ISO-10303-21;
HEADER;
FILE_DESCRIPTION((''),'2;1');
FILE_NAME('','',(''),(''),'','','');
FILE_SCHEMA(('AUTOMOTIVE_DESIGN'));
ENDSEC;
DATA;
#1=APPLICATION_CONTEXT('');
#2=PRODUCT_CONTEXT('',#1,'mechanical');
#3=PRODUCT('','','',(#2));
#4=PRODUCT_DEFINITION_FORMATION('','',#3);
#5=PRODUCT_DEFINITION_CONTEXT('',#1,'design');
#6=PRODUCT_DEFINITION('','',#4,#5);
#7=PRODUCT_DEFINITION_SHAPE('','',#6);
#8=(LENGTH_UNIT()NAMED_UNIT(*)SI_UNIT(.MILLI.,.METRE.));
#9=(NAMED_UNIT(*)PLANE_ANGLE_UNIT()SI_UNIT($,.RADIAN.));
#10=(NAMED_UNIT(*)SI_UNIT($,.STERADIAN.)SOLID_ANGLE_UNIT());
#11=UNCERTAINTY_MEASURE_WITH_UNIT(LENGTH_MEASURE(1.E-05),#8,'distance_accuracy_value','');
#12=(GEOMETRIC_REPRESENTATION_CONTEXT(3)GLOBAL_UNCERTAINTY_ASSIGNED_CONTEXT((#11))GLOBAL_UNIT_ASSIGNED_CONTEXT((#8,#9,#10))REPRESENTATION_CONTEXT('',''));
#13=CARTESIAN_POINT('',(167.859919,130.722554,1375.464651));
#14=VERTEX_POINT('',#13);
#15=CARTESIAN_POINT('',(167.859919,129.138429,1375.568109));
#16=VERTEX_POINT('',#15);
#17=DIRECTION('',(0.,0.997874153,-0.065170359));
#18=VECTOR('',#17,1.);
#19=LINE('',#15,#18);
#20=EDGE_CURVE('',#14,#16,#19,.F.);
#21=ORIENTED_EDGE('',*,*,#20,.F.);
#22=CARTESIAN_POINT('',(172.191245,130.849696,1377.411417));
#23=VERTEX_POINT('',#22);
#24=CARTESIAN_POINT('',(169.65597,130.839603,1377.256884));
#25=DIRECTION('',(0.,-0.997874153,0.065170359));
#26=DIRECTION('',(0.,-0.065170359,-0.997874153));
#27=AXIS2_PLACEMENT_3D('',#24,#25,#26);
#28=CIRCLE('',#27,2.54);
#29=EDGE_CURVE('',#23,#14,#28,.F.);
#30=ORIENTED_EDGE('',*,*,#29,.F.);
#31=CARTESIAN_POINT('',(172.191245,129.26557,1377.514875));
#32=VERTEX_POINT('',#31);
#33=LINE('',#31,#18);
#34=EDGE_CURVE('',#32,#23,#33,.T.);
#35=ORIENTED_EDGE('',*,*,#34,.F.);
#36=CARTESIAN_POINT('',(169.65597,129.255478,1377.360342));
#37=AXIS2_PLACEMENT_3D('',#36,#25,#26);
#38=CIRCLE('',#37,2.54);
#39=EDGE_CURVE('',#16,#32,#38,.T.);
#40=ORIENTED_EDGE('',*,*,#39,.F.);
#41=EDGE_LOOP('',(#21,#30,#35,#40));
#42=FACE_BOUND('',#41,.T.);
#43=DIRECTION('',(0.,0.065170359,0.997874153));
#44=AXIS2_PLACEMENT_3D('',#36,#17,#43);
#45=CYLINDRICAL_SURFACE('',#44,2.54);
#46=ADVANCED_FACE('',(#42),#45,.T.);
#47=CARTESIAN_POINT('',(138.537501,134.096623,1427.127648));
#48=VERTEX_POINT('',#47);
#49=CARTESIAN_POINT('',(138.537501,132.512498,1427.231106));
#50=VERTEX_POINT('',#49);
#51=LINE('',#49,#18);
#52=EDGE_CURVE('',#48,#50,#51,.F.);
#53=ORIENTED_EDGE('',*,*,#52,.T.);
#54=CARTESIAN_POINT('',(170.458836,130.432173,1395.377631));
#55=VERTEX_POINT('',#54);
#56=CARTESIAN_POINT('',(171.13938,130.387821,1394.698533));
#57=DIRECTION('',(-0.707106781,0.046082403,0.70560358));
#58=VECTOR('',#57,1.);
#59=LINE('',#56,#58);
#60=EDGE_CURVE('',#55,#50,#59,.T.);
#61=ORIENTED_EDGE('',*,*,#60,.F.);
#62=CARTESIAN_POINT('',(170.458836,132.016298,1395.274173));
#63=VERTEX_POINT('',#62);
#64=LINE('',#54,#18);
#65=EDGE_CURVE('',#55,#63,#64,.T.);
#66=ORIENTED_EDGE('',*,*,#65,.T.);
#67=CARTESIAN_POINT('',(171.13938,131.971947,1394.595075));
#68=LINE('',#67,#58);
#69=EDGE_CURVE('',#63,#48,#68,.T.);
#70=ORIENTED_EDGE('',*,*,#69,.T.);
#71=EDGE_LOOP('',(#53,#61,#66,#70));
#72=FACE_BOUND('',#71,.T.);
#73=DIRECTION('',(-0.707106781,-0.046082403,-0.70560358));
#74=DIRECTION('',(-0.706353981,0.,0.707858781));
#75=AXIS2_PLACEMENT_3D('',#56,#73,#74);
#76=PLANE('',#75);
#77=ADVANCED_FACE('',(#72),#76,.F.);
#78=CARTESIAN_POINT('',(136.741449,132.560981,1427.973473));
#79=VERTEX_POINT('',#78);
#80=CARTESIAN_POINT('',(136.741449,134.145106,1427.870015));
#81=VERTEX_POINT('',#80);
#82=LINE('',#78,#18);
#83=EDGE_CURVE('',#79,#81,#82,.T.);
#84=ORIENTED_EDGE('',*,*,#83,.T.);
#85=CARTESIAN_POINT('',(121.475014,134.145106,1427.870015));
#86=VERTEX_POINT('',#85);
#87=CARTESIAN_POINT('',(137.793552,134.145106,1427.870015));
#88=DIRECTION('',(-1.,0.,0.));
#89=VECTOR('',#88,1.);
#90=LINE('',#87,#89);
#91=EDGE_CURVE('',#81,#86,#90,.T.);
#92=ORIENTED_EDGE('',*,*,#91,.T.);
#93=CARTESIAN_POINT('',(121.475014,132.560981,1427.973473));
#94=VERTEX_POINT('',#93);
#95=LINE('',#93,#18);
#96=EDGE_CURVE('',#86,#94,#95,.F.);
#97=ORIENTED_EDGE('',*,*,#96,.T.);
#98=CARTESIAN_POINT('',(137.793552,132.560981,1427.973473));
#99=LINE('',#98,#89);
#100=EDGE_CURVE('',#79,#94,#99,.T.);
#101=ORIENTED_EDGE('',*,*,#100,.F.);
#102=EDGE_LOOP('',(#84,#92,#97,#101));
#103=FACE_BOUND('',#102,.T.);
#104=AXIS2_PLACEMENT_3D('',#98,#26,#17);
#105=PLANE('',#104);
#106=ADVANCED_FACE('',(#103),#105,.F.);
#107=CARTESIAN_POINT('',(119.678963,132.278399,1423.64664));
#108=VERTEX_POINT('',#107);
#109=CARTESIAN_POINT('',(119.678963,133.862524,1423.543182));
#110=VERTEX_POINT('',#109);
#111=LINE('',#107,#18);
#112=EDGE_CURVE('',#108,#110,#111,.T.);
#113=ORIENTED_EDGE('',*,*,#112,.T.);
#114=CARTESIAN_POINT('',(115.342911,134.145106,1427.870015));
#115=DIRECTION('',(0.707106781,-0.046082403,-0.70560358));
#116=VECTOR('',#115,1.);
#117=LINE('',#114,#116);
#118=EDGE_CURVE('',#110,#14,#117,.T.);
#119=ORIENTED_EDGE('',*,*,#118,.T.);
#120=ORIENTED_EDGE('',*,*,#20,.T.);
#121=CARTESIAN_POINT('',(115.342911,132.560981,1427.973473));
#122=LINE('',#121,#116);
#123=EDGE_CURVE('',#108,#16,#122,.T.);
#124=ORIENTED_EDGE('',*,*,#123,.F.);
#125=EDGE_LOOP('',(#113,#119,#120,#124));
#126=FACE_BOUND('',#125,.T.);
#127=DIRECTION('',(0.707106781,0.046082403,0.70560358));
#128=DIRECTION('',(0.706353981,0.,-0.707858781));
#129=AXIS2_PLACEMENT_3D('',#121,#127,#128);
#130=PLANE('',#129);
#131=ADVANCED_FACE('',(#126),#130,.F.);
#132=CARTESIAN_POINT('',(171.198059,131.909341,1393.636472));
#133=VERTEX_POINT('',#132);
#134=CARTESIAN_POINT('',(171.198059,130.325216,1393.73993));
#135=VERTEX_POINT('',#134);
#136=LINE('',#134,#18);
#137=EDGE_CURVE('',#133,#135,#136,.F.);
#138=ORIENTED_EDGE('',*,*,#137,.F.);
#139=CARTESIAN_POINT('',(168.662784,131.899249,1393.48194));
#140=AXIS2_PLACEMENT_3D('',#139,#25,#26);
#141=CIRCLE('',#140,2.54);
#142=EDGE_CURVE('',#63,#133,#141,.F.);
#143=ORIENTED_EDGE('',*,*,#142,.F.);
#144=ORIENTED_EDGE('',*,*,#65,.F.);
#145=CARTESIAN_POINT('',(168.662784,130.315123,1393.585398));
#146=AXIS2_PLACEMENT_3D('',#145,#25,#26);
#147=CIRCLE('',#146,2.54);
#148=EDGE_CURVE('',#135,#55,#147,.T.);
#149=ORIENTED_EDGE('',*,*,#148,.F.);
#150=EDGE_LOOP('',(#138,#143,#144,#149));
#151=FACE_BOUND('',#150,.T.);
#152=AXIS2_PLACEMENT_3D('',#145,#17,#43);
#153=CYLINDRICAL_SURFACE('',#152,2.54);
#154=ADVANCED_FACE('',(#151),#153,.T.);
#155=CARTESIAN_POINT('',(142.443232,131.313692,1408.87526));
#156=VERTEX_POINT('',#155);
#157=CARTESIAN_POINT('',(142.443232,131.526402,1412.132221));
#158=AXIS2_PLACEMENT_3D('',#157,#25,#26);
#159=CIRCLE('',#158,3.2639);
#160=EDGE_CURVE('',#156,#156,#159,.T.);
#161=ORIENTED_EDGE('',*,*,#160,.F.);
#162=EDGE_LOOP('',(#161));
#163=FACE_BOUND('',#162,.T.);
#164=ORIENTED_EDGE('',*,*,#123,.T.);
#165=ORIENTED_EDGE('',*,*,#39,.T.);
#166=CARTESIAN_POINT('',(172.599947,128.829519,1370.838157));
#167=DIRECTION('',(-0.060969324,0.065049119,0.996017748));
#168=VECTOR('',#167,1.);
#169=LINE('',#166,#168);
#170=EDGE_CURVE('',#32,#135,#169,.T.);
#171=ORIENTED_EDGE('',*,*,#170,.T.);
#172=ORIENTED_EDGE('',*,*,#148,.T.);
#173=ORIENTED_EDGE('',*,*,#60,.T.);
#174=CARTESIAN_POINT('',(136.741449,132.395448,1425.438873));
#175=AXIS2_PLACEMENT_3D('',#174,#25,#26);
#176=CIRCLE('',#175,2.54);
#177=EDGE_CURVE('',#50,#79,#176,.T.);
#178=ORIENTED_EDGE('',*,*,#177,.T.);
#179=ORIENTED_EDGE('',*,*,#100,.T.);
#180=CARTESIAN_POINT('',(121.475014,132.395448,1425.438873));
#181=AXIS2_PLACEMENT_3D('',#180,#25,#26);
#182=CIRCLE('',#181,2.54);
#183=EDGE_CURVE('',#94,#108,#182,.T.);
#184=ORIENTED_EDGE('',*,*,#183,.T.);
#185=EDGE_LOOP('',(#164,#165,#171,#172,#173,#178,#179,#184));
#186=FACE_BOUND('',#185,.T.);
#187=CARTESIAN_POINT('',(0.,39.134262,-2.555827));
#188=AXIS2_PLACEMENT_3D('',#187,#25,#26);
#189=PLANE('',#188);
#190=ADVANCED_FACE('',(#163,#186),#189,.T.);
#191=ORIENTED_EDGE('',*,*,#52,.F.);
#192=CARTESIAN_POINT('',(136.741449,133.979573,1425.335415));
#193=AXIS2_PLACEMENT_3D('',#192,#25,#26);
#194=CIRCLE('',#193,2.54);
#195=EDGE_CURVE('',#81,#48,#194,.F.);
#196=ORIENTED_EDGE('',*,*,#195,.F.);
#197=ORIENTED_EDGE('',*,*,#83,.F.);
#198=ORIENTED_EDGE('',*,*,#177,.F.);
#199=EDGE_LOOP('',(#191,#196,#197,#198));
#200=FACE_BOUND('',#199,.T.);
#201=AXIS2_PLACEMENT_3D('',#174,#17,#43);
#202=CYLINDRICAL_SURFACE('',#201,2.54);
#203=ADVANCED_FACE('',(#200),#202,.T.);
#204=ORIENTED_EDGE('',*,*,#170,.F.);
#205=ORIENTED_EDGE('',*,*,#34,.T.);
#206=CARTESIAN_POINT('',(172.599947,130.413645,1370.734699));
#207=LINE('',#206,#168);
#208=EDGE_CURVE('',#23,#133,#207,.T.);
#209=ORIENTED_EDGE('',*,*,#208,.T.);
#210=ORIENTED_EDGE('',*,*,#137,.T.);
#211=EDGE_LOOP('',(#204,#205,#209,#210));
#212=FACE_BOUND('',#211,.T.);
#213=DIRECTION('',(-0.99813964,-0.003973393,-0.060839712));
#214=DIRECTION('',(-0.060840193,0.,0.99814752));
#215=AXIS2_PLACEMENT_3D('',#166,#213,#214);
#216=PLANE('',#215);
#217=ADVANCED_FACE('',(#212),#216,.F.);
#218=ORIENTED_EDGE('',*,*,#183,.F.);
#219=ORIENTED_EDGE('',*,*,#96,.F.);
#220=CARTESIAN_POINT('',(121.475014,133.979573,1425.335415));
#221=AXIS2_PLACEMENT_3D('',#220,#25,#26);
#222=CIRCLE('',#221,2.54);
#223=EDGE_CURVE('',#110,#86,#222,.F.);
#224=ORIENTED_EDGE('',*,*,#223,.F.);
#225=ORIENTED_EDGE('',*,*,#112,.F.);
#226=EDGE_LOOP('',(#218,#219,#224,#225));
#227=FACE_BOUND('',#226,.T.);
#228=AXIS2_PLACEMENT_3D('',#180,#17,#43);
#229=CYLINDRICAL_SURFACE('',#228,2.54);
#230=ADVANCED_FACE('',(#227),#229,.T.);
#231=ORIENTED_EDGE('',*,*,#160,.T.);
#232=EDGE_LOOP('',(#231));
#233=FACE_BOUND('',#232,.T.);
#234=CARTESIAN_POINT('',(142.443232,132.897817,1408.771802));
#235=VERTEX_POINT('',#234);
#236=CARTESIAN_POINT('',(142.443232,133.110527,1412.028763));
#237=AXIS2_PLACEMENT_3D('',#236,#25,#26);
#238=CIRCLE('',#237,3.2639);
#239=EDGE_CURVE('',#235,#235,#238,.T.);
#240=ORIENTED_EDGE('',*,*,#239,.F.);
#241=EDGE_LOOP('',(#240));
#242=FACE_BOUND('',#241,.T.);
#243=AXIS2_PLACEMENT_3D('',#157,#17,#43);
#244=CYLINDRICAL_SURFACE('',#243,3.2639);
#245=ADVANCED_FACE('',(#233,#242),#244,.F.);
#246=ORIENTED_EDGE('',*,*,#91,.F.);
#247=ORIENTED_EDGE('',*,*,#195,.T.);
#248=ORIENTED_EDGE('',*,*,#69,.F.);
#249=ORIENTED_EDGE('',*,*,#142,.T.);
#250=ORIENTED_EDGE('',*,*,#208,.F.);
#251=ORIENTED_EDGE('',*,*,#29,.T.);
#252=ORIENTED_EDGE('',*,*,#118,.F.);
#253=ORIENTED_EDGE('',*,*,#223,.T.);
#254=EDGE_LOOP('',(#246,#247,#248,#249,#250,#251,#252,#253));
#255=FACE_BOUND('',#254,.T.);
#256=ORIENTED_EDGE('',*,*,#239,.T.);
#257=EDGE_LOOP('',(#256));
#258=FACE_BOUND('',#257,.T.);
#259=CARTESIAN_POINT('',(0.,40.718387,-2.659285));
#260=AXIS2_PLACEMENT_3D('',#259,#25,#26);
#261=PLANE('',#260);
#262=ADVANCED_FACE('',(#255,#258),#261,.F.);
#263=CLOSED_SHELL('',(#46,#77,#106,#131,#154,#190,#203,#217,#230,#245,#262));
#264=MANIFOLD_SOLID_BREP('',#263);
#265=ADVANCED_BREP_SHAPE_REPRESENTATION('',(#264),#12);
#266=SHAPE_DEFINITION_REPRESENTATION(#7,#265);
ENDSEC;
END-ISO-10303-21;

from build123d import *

# Parameters (mm, degrees)
SKETCH1_R           = 3.2639
BOSS_EXTRUDE1_DEPTH = 1.5875
FILLET1_R           = 2.54


with BuildPart() as part:
    # Sketch1 → Boss-Extrude1 (new body)
    with BuildSketch(Plane(origin=(0, 40.718386742, -2.659285129), x_dir=(-1, 0, 0), z_dir=(0, -0.9978741525202128, 0.06517035930595418))):
        Polygon((-171.13938014, -1400.231037764), (-137.793551766, -1433.576866138), (-115.342911464, -1433.576866138), (-172.599947484, -1376.319830118), align=None)
        with Locations((-142.443231615, -1417.701866138)):
            Circle(SKETCH1_R, mode=Mode.SUBTRACT)
    extrude(amount=BOSS_EXTRUDE1_DEPTH)

    # Fillet1
    fillet1_edges = [part.edges().sort_by_distance(p)[0] for p in [
        (172.599947484, 129.621581982, 1370.786427919),
        (137.793551766, 133.353043592, 1427.921744213),
        (171.13938014, 131.179883976, 1394.646803985),
        (115.342911464, 133.353043592, 1427.921744213),
    ]]
    fillet(fillet1_edges, radius=FILLET1_R)


solid = part.part
